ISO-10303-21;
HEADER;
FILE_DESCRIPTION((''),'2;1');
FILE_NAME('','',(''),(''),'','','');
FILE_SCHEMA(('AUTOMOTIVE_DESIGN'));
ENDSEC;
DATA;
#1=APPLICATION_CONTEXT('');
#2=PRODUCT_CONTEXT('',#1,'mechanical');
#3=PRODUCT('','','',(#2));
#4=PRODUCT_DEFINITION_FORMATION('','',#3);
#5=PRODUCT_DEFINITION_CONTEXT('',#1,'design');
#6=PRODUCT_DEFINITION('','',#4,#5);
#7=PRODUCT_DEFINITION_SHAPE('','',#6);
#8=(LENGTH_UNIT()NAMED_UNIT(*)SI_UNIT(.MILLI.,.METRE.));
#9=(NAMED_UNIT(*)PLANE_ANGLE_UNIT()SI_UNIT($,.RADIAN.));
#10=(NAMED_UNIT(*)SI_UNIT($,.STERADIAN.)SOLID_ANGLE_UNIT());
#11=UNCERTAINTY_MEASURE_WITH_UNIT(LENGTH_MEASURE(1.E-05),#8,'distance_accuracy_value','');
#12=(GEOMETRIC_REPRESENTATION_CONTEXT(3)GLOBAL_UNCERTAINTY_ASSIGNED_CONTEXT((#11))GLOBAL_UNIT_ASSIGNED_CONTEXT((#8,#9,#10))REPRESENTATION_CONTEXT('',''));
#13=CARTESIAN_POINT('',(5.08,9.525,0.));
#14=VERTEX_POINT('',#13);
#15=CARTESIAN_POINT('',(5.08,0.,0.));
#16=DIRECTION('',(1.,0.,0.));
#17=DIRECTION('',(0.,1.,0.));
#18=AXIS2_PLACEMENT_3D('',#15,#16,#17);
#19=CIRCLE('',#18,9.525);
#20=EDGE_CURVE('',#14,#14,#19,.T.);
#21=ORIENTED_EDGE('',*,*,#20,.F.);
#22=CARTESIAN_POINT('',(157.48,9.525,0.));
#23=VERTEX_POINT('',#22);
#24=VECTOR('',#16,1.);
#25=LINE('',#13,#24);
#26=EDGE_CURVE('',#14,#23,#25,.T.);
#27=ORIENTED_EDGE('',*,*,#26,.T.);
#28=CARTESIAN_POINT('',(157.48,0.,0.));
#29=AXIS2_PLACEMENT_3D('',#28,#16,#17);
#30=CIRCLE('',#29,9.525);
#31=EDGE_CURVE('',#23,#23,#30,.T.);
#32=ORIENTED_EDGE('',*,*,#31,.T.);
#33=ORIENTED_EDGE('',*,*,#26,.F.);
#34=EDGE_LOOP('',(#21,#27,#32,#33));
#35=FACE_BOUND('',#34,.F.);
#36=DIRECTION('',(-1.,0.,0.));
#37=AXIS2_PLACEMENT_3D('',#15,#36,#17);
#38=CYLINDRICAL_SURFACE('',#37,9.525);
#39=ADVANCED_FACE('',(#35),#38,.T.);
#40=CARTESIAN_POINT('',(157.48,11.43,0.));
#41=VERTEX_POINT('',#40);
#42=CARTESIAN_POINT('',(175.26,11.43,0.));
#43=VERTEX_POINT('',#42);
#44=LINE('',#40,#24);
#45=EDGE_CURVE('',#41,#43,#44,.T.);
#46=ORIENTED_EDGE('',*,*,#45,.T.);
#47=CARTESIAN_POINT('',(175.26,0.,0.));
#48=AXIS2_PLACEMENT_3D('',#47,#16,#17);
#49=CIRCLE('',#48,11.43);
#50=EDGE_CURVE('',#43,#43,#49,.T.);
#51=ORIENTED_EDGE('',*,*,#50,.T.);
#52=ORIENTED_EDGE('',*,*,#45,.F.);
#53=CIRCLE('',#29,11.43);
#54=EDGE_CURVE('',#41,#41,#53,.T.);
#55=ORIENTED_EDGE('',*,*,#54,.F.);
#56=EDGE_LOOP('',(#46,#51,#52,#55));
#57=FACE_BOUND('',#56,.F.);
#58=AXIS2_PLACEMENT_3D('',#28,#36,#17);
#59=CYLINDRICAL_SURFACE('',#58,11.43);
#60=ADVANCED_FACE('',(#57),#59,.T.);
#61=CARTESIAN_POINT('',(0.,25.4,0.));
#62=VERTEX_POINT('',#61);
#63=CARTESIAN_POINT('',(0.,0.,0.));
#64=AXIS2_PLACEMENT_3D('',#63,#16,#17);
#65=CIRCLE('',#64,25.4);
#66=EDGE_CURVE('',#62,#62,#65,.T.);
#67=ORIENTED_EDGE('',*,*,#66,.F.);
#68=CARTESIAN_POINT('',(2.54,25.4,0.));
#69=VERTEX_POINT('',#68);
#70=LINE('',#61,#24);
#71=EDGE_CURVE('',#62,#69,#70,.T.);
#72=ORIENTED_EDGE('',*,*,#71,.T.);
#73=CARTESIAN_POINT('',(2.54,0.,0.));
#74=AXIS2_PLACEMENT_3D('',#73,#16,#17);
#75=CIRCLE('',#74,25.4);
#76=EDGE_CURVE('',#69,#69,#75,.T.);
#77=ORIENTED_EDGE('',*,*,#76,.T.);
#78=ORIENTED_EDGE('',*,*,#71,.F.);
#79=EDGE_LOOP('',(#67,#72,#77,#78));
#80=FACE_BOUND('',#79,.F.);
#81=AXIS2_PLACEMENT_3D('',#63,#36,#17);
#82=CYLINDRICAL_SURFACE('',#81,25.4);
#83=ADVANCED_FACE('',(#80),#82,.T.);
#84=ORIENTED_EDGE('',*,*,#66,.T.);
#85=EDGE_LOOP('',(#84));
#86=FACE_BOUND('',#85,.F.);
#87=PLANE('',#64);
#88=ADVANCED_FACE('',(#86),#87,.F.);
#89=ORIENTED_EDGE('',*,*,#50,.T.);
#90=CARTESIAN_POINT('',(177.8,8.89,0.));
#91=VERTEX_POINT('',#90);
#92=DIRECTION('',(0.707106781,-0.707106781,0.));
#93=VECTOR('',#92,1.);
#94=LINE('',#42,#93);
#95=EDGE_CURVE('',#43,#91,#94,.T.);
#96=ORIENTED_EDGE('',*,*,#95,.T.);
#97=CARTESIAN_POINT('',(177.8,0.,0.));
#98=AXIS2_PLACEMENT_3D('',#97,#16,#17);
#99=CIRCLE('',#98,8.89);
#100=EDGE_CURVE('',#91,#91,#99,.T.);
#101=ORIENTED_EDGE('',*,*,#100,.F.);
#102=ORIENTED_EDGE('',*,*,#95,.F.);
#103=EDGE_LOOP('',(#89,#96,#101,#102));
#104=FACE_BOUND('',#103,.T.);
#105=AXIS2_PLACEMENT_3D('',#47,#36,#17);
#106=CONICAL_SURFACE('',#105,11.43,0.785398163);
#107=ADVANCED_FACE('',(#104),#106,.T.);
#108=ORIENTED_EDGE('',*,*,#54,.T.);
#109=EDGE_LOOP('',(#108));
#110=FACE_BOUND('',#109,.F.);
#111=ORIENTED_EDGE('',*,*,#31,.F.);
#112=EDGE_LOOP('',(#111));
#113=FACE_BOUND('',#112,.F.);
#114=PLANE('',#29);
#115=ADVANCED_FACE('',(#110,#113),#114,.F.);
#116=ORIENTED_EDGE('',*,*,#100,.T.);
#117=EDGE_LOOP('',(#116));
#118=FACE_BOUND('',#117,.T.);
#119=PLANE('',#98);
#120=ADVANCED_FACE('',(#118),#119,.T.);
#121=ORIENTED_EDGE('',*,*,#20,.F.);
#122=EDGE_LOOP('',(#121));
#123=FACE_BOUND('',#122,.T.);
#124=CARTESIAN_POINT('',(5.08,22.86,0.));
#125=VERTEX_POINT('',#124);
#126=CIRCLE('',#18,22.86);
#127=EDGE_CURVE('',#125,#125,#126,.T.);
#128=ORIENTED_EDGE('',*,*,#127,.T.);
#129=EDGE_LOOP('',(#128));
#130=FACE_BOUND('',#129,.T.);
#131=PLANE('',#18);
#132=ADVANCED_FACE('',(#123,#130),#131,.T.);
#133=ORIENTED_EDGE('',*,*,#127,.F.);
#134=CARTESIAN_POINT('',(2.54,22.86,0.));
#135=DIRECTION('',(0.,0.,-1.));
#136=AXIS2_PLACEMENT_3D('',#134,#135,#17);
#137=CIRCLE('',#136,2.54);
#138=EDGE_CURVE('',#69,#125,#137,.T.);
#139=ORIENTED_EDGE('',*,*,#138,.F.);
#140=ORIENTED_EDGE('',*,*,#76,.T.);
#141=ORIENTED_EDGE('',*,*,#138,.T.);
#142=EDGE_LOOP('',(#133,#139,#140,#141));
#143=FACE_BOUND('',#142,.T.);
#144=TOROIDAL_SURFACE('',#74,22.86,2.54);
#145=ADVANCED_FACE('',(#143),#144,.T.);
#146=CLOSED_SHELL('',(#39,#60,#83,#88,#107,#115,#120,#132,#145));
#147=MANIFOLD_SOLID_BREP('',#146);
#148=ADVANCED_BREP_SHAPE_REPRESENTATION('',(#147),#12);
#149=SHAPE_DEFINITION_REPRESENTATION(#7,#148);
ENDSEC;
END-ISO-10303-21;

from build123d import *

# Parameters (mm, degrees)
F0_R     = 25.4
F1_DEPTH = 5.08
F2_R     = 2.54
F3_R     = 9.525
F4_DEPTH = 152.4
F5_R     = 11.43
F5_R_2   = 9.525
F6_DEPTH = 20.32
F7_SIZE  = 2.54


with BuildPart() as f1:
    # F0 (on Right) → F1 (new body)
    with BuildSketch(Plane.YZ):
        Circle(F0_R)
    extrude(amount=F1_DEPTH)

    # F2
    f2_edges = [f1.edges().sort_by_distance(p)[0] for p in [
        (5.08, -25.4, 0),
    ]]
    fillet(f2_edges, radius=F2_R)

    # F3 (on face) → F4 (join)
    with BuildSketch(Plane.YZ.offset(5.08)):
        Circle(F3_R)
    extrude(amount=F4_DEPTH)

    # F5 (on face) → F6 (join)
    with BuildSketch(Plane.YZ.offset(157.48)):
        Circle(F5_R)
        Circle(F5_R_2, mode=Mode.SUBTRACT)
        Circle(F5_R_2)
    extrude(amount=F6_DEPTH)

    # F7
    f7_edges = [f1.edges().sort_by_distance(p)[0] for p in [
        (177.8, -11.43, 0),
    ]]
    chamfer(f7_edges, length=F7_SIZE)


solid = f1.part
